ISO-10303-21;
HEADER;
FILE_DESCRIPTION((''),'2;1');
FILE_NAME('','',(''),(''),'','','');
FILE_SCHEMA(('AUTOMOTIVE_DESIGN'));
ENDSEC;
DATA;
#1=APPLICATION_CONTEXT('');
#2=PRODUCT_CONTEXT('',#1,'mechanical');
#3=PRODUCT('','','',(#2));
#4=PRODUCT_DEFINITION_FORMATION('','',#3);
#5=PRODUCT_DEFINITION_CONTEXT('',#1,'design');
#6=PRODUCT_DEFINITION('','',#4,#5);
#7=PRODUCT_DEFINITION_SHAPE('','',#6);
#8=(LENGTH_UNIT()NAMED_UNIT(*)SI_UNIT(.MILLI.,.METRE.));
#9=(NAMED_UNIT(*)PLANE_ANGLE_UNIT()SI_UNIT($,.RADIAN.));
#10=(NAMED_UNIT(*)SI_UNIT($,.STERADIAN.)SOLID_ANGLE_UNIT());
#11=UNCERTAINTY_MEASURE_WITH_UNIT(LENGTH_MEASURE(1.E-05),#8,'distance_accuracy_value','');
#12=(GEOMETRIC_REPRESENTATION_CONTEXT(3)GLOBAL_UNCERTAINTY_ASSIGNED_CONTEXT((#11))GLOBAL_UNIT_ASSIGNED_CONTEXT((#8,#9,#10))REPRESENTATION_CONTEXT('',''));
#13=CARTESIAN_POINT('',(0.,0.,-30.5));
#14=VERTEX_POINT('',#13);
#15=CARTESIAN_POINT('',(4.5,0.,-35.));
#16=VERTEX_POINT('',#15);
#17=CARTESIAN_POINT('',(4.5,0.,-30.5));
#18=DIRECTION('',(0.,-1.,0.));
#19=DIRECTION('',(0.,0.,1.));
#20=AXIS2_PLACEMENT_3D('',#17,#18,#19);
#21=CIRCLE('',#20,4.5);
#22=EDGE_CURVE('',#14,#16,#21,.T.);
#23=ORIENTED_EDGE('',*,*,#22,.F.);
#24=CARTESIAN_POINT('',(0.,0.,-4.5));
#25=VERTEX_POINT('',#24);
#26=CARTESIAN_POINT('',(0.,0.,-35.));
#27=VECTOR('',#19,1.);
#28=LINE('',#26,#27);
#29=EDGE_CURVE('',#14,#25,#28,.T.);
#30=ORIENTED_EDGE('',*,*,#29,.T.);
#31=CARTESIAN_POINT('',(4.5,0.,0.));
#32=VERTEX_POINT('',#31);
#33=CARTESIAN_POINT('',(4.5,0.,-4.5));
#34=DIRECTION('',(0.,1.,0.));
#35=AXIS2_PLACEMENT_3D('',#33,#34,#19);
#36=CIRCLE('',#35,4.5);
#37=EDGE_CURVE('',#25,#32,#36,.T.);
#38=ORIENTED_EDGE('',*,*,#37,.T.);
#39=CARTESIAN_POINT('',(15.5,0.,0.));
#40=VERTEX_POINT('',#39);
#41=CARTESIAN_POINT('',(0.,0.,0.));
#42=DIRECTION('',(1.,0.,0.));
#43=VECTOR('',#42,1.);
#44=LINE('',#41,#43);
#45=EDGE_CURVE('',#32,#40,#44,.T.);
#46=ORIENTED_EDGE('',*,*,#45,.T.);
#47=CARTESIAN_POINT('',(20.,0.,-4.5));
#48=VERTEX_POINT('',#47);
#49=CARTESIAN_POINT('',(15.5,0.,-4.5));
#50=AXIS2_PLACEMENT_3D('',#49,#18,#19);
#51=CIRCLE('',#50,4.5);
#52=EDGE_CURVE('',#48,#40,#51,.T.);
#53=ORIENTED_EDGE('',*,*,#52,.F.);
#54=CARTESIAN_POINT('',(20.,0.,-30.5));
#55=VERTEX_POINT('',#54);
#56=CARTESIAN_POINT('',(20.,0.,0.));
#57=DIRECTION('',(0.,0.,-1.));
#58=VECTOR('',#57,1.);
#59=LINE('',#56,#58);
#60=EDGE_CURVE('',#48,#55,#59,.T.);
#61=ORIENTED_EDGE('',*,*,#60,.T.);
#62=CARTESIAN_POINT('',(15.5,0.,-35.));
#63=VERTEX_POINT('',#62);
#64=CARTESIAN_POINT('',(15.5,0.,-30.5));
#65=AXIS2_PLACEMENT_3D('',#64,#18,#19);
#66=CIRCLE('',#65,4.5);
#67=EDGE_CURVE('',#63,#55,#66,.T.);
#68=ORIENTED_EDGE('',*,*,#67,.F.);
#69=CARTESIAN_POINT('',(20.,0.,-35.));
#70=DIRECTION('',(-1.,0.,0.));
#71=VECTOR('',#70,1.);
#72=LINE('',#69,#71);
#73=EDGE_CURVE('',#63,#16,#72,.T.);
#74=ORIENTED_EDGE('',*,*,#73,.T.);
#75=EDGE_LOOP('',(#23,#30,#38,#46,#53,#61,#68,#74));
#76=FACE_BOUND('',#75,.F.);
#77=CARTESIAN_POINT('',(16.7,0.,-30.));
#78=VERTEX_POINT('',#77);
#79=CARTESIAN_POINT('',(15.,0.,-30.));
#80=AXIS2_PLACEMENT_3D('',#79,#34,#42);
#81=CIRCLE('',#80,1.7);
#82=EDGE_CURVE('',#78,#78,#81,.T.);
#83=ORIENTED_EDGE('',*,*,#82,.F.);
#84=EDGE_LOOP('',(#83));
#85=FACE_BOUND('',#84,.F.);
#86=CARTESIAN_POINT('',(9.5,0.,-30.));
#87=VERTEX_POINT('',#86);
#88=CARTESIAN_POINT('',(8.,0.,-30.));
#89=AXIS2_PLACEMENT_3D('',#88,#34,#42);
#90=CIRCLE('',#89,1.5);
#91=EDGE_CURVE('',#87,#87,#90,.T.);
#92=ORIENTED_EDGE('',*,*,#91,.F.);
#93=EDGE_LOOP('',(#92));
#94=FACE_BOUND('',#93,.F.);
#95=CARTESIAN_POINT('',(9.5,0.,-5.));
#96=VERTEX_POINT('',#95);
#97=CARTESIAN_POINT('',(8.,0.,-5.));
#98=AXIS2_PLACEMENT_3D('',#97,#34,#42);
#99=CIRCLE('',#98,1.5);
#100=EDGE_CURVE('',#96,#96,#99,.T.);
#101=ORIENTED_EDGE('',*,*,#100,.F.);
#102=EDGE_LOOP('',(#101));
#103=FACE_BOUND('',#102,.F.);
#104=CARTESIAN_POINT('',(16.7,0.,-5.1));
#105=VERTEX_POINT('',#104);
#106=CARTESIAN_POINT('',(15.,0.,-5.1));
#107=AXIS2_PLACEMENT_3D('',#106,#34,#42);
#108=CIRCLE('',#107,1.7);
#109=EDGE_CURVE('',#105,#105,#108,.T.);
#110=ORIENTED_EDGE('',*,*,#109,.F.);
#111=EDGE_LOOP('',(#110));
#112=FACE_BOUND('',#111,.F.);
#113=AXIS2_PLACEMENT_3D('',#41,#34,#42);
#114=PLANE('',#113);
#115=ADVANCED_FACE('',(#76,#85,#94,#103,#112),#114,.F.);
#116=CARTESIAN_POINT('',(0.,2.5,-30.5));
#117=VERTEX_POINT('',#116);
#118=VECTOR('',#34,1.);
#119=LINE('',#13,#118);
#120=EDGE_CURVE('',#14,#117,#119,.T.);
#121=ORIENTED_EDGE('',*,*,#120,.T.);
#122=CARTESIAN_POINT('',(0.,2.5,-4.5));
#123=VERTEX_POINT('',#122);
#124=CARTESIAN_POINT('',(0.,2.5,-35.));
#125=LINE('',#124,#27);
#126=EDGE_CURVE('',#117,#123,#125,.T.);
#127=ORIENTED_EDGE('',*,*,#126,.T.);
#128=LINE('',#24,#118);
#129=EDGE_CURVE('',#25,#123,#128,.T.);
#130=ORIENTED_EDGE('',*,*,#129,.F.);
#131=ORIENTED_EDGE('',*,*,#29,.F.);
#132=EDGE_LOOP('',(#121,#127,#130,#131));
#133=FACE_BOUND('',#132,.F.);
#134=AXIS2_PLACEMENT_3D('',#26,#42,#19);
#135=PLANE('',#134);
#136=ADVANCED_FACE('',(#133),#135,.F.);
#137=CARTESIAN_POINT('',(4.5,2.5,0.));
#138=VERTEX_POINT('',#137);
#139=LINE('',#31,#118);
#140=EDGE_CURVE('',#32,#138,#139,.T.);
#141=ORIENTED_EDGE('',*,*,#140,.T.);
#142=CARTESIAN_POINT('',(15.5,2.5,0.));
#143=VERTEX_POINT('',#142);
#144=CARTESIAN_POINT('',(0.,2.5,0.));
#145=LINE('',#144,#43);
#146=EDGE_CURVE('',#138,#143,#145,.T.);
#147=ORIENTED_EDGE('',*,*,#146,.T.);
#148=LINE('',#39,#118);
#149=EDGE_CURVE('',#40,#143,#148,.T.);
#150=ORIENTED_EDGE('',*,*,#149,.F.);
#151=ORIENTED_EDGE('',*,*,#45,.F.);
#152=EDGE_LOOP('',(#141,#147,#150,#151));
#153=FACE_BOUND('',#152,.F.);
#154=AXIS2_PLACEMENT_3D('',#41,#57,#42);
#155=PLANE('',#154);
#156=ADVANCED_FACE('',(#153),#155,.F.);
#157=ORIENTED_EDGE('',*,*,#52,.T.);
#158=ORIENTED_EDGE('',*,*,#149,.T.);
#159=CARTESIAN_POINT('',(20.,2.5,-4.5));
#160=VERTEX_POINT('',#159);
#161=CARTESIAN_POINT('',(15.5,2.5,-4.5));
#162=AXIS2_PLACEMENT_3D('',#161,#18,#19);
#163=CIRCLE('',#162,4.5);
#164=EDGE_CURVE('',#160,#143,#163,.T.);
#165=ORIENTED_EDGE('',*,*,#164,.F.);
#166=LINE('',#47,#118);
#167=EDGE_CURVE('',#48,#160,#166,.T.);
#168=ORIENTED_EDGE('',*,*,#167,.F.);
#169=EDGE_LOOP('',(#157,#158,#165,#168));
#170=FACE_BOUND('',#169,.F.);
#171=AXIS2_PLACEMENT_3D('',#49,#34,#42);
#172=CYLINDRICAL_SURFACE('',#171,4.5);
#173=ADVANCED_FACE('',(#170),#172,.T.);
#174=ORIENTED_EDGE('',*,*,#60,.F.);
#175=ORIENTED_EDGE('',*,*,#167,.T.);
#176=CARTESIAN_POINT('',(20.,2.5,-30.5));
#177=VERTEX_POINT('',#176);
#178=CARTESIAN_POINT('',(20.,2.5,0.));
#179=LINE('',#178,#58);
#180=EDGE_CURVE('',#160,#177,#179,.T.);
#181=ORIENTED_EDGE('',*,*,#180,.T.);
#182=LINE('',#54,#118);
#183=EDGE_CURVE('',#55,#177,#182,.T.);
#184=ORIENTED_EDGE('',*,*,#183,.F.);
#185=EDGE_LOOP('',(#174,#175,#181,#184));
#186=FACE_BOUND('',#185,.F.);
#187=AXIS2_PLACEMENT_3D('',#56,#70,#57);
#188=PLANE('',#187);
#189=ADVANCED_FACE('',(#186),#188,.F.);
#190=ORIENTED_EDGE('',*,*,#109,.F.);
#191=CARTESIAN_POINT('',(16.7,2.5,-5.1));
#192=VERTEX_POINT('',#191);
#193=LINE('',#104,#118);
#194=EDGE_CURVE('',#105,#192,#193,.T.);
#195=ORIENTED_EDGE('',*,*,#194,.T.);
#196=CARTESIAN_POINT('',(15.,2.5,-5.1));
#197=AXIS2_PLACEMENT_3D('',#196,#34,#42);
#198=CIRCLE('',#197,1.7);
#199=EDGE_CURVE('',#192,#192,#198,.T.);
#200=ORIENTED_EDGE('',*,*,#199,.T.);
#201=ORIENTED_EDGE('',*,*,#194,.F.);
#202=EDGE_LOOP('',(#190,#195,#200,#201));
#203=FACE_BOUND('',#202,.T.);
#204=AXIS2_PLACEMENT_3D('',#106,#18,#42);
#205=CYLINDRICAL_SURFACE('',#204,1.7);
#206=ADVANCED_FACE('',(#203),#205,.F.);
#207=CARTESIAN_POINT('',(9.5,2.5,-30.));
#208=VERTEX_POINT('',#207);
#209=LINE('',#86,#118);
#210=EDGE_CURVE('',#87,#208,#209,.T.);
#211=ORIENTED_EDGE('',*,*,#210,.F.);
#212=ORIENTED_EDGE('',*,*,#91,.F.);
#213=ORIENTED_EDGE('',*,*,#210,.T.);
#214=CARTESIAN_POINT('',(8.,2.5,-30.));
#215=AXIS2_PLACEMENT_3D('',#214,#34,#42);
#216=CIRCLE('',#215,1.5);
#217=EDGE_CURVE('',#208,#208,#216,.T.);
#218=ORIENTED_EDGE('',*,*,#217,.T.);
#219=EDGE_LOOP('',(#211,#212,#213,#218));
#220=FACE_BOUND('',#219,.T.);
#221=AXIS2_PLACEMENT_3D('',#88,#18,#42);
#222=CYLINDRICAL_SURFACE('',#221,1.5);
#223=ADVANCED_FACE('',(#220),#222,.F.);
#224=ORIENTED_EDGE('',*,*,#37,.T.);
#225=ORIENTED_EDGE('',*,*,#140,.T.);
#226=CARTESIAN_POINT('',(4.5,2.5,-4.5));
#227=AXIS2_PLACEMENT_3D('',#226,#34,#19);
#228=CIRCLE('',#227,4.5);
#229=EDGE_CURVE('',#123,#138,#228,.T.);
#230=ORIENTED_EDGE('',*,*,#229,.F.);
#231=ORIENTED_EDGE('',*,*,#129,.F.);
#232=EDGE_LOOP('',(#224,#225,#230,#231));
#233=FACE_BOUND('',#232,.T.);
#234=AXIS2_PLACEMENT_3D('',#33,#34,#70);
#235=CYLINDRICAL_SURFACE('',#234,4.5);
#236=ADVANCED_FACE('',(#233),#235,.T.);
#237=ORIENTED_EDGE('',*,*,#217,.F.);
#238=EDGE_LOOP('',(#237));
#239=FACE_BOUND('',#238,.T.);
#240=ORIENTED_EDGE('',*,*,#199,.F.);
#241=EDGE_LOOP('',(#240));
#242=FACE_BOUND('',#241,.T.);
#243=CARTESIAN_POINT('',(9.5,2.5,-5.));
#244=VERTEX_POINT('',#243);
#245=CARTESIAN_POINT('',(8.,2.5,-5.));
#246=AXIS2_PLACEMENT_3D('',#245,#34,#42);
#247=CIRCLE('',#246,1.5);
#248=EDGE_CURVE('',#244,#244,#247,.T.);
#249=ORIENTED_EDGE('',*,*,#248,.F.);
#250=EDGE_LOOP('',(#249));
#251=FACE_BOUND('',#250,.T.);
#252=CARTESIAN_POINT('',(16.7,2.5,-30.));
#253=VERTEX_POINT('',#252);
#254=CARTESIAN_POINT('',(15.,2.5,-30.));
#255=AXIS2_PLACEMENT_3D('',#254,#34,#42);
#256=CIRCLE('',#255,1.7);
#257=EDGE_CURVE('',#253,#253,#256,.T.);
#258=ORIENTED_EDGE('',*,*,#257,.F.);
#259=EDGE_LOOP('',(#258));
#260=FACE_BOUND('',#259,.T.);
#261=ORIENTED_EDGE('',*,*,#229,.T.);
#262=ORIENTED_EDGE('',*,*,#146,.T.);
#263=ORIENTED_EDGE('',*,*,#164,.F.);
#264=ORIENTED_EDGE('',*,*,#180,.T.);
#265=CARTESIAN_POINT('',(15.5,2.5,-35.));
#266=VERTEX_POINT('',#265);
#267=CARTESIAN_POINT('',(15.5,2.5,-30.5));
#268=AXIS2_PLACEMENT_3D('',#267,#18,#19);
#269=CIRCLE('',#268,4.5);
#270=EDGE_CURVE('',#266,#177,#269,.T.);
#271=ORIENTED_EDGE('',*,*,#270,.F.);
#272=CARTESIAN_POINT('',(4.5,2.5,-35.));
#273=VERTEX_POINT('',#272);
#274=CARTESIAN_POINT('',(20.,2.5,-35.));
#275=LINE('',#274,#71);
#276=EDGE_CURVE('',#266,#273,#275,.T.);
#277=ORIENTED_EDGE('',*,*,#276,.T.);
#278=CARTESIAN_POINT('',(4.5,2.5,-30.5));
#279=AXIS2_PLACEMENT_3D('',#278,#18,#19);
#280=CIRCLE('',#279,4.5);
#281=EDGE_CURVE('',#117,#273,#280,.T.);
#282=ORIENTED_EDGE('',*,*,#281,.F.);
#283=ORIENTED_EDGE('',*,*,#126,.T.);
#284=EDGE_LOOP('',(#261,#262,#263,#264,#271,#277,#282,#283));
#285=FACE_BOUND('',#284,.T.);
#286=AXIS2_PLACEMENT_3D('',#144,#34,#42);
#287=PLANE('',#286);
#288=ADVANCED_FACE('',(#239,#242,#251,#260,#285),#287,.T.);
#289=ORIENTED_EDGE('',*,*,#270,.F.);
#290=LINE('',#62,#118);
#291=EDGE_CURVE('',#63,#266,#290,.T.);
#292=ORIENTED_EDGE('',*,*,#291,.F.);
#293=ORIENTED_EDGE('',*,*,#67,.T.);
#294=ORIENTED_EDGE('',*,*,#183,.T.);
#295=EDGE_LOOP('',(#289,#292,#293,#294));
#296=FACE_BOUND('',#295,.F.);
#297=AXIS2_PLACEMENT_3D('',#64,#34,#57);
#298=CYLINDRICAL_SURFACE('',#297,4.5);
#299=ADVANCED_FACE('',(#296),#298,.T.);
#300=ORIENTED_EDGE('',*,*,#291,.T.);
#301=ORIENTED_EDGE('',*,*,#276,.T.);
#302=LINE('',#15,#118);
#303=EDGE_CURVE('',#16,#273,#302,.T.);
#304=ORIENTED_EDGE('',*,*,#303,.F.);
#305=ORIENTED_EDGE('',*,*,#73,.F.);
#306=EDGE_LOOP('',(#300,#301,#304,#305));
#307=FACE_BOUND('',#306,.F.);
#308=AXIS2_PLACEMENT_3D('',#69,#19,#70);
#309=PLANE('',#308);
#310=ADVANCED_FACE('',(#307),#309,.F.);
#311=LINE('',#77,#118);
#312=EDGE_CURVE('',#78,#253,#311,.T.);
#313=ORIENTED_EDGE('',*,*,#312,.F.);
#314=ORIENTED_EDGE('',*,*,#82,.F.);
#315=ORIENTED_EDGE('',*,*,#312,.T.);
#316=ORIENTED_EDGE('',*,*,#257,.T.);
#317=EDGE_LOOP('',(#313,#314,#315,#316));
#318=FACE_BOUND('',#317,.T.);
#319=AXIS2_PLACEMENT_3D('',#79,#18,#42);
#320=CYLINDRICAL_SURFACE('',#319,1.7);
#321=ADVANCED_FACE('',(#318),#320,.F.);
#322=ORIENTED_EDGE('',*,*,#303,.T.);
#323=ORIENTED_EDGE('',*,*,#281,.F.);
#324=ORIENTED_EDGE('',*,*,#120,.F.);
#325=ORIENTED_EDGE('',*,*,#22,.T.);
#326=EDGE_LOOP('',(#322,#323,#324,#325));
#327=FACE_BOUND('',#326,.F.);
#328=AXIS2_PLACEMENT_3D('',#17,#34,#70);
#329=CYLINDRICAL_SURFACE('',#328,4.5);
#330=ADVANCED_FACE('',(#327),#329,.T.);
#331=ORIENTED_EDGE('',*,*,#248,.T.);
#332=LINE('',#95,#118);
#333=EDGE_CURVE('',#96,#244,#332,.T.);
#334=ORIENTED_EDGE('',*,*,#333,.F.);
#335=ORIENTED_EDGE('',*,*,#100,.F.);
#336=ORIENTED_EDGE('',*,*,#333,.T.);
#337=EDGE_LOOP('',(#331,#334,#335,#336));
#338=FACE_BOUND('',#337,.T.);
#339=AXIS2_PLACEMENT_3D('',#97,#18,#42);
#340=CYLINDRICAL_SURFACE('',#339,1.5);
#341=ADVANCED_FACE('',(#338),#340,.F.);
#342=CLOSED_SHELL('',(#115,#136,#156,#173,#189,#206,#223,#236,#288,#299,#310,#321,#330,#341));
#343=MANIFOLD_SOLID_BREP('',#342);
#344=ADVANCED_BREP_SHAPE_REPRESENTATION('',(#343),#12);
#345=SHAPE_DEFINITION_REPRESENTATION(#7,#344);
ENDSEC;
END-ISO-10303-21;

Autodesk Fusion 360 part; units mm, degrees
sketch "Sketch1" plane through (0, 0, 0) normal (0, 1, 0) x (1, 0, 0)
  line L0 (0, 0) -> (20, 0)
  line L1 (20, 0) -> (20, 35)
  line L2 (20, 35) -> (0, 35)
  line L3 (0, 35) -> (0, 0)
  circle A0 centre (15, 5.1) radius 1.7
  circle A1 centre (15, 30) radius 1.7
  circle A2 centre (8, 5) radius 1.5
  circle A3 centre (8, 30) radius 1.5
  dimension "d1" = 20
  dimension "d2" = 35
  dimension "d3" = 3.4
  dimension "d4" = 3.4
  dimension "d5" = 24.9
  dimension "d6" = 5.1
  dimension "d7" = 5
  dimension "d8" = 5
  dimension "d9" = 3
  dimension "d10" = 3
  dimension "d11" = 25
  dimension "d12" = 7
  dimension "d13" = 7
  dimension "d14" = 5
extrude "Extrude1" add sketch "Sketch1" along normal blind 2.5
fillet "Fillet1" radius 4.5 4 edges at (0, 1.25, 0) (20, 1.25, 0) (20, 1.25, -35) (0, 1.25, -35)
